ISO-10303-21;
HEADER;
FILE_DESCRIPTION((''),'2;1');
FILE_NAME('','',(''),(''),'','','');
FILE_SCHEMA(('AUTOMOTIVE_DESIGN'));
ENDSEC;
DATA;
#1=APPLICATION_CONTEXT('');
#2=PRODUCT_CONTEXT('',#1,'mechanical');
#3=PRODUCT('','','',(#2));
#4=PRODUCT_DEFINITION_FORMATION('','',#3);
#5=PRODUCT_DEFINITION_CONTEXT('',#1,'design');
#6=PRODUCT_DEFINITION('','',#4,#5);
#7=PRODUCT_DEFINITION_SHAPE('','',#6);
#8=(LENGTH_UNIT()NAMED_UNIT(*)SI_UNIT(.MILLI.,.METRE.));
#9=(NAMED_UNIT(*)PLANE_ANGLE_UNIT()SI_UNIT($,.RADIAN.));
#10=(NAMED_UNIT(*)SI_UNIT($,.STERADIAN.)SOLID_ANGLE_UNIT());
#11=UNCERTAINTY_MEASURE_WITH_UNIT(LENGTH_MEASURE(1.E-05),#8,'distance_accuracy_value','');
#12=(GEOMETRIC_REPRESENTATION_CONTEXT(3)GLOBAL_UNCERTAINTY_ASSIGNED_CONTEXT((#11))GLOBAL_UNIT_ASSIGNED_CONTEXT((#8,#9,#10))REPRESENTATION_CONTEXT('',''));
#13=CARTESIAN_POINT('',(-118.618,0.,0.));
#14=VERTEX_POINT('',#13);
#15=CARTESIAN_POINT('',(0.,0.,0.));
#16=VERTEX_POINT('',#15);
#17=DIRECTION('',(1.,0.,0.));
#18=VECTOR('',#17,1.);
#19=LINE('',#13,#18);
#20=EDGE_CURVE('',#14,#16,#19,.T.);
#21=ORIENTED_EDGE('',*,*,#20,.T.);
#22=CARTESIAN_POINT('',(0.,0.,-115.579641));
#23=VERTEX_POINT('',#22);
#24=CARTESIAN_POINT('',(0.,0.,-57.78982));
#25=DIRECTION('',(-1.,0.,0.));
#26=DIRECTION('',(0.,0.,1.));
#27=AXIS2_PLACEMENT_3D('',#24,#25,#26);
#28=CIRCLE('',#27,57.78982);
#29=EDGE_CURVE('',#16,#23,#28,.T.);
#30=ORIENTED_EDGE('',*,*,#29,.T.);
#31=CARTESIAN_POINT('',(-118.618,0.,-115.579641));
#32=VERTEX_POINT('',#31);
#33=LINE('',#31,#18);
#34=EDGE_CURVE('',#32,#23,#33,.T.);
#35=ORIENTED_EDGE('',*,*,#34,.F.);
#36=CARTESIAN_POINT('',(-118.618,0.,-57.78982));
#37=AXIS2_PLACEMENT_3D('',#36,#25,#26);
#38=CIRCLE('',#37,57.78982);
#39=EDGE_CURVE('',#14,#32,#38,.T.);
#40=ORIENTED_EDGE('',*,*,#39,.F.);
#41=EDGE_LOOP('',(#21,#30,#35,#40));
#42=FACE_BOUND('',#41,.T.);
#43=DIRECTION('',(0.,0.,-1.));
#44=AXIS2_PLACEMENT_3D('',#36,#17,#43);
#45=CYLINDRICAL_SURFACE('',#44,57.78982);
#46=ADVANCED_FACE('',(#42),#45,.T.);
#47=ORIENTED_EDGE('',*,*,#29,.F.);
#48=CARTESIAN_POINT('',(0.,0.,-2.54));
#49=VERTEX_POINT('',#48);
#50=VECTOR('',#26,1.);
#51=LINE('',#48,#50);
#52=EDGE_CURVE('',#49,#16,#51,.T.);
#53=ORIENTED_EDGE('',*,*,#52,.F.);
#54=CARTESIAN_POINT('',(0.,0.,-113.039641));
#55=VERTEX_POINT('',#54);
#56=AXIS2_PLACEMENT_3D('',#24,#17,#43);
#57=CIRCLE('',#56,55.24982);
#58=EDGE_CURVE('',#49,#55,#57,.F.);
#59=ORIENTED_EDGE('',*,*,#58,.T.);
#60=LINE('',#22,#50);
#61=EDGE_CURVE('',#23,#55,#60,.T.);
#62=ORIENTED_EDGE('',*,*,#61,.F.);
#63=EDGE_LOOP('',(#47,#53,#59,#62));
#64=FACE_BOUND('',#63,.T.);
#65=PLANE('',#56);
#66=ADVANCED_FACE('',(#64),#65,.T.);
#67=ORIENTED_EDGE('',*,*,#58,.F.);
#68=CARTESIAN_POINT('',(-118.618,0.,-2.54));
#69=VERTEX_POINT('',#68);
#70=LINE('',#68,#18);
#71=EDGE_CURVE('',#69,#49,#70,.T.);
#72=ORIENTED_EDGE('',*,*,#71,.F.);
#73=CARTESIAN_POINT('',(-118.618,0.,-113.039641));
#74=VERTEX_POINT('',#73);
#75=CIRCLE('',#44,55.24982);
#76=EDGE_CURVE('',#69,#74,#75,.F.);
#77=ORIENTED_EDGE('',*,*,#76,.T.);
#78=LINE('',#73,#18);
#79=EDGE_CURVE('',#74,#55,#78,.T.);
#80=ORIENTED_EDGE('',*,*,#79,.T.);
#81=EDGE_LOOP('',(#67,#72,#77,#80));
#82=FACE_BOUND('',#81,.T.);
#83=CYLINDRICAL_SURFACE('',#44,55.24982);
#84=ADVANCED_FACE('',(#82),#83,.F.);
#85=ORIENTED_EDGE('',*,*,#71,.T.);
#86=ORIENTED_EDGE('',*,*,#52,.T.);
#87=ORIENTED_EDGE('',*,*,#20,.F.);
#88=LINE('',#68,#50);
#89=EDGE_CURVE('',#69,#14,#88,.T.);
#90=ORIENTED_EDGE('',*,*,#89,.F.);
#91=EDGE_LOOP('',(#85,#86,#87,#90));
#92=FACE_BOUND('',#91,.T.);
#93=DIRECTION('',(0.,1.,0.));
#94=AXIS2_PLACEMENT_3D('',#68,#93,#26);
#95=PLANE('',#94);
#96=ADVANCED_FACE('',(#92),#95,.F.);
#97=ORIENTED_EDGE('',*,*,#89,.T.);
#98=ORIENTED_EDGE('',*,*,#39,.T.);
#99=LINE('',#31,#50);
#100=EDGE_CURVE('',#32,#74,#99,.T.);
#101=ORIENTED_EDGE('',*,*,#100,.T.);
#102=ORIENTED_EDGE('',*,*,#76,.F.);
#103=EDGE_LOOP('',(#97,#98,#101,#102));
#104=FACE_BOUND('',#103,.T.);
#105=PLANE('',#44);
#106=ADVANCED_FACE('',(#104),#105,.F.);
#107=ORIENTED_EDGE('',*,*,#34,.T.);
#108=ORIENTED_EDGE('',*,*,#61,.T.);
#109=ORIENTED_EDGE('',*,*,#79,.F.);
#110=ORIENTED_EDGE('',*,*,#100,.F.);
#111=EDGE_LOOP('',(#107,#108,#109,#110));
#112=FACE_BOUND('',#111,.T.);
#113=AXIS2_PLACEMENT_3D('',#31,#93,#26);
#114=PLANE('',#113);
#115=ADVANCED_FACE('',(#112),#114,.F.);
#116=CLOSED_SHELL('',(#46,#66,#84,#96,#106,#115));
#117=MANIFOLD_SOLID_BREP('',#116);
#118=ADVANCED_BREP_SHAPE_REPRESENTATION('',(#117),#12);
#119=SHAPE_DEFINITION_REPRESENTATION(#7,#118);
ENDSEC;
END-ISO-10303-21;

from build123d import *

# Parameters (mm, degrees)
EXTRUDE_THIN1_DEPTH = 118.618


with BuildPart() as part:
    # Sketch2 → Extrude-Thin1 (new body)
    with BuildSketch(Plane(origin=(0, 0, 0), x_dir=(0, 0, -1), z_dir=(1, 0, 0))):
        with BuildLine():
            ThreePointArc((0, 0), (57.78982039, 57.78982039), (115.579640779, 0))
            Line((115.579640779, 0), (113.039640779, 0))
            ThreePointArc((113.039640779, 0), (57.78982039, 55.24982039), (2.54, 0))
            Line((2.54, 0), (0, 0))
        make_face()
    extrude(amount=-EXTRUDE_THIN1_DEPTH)


solid = part.part
